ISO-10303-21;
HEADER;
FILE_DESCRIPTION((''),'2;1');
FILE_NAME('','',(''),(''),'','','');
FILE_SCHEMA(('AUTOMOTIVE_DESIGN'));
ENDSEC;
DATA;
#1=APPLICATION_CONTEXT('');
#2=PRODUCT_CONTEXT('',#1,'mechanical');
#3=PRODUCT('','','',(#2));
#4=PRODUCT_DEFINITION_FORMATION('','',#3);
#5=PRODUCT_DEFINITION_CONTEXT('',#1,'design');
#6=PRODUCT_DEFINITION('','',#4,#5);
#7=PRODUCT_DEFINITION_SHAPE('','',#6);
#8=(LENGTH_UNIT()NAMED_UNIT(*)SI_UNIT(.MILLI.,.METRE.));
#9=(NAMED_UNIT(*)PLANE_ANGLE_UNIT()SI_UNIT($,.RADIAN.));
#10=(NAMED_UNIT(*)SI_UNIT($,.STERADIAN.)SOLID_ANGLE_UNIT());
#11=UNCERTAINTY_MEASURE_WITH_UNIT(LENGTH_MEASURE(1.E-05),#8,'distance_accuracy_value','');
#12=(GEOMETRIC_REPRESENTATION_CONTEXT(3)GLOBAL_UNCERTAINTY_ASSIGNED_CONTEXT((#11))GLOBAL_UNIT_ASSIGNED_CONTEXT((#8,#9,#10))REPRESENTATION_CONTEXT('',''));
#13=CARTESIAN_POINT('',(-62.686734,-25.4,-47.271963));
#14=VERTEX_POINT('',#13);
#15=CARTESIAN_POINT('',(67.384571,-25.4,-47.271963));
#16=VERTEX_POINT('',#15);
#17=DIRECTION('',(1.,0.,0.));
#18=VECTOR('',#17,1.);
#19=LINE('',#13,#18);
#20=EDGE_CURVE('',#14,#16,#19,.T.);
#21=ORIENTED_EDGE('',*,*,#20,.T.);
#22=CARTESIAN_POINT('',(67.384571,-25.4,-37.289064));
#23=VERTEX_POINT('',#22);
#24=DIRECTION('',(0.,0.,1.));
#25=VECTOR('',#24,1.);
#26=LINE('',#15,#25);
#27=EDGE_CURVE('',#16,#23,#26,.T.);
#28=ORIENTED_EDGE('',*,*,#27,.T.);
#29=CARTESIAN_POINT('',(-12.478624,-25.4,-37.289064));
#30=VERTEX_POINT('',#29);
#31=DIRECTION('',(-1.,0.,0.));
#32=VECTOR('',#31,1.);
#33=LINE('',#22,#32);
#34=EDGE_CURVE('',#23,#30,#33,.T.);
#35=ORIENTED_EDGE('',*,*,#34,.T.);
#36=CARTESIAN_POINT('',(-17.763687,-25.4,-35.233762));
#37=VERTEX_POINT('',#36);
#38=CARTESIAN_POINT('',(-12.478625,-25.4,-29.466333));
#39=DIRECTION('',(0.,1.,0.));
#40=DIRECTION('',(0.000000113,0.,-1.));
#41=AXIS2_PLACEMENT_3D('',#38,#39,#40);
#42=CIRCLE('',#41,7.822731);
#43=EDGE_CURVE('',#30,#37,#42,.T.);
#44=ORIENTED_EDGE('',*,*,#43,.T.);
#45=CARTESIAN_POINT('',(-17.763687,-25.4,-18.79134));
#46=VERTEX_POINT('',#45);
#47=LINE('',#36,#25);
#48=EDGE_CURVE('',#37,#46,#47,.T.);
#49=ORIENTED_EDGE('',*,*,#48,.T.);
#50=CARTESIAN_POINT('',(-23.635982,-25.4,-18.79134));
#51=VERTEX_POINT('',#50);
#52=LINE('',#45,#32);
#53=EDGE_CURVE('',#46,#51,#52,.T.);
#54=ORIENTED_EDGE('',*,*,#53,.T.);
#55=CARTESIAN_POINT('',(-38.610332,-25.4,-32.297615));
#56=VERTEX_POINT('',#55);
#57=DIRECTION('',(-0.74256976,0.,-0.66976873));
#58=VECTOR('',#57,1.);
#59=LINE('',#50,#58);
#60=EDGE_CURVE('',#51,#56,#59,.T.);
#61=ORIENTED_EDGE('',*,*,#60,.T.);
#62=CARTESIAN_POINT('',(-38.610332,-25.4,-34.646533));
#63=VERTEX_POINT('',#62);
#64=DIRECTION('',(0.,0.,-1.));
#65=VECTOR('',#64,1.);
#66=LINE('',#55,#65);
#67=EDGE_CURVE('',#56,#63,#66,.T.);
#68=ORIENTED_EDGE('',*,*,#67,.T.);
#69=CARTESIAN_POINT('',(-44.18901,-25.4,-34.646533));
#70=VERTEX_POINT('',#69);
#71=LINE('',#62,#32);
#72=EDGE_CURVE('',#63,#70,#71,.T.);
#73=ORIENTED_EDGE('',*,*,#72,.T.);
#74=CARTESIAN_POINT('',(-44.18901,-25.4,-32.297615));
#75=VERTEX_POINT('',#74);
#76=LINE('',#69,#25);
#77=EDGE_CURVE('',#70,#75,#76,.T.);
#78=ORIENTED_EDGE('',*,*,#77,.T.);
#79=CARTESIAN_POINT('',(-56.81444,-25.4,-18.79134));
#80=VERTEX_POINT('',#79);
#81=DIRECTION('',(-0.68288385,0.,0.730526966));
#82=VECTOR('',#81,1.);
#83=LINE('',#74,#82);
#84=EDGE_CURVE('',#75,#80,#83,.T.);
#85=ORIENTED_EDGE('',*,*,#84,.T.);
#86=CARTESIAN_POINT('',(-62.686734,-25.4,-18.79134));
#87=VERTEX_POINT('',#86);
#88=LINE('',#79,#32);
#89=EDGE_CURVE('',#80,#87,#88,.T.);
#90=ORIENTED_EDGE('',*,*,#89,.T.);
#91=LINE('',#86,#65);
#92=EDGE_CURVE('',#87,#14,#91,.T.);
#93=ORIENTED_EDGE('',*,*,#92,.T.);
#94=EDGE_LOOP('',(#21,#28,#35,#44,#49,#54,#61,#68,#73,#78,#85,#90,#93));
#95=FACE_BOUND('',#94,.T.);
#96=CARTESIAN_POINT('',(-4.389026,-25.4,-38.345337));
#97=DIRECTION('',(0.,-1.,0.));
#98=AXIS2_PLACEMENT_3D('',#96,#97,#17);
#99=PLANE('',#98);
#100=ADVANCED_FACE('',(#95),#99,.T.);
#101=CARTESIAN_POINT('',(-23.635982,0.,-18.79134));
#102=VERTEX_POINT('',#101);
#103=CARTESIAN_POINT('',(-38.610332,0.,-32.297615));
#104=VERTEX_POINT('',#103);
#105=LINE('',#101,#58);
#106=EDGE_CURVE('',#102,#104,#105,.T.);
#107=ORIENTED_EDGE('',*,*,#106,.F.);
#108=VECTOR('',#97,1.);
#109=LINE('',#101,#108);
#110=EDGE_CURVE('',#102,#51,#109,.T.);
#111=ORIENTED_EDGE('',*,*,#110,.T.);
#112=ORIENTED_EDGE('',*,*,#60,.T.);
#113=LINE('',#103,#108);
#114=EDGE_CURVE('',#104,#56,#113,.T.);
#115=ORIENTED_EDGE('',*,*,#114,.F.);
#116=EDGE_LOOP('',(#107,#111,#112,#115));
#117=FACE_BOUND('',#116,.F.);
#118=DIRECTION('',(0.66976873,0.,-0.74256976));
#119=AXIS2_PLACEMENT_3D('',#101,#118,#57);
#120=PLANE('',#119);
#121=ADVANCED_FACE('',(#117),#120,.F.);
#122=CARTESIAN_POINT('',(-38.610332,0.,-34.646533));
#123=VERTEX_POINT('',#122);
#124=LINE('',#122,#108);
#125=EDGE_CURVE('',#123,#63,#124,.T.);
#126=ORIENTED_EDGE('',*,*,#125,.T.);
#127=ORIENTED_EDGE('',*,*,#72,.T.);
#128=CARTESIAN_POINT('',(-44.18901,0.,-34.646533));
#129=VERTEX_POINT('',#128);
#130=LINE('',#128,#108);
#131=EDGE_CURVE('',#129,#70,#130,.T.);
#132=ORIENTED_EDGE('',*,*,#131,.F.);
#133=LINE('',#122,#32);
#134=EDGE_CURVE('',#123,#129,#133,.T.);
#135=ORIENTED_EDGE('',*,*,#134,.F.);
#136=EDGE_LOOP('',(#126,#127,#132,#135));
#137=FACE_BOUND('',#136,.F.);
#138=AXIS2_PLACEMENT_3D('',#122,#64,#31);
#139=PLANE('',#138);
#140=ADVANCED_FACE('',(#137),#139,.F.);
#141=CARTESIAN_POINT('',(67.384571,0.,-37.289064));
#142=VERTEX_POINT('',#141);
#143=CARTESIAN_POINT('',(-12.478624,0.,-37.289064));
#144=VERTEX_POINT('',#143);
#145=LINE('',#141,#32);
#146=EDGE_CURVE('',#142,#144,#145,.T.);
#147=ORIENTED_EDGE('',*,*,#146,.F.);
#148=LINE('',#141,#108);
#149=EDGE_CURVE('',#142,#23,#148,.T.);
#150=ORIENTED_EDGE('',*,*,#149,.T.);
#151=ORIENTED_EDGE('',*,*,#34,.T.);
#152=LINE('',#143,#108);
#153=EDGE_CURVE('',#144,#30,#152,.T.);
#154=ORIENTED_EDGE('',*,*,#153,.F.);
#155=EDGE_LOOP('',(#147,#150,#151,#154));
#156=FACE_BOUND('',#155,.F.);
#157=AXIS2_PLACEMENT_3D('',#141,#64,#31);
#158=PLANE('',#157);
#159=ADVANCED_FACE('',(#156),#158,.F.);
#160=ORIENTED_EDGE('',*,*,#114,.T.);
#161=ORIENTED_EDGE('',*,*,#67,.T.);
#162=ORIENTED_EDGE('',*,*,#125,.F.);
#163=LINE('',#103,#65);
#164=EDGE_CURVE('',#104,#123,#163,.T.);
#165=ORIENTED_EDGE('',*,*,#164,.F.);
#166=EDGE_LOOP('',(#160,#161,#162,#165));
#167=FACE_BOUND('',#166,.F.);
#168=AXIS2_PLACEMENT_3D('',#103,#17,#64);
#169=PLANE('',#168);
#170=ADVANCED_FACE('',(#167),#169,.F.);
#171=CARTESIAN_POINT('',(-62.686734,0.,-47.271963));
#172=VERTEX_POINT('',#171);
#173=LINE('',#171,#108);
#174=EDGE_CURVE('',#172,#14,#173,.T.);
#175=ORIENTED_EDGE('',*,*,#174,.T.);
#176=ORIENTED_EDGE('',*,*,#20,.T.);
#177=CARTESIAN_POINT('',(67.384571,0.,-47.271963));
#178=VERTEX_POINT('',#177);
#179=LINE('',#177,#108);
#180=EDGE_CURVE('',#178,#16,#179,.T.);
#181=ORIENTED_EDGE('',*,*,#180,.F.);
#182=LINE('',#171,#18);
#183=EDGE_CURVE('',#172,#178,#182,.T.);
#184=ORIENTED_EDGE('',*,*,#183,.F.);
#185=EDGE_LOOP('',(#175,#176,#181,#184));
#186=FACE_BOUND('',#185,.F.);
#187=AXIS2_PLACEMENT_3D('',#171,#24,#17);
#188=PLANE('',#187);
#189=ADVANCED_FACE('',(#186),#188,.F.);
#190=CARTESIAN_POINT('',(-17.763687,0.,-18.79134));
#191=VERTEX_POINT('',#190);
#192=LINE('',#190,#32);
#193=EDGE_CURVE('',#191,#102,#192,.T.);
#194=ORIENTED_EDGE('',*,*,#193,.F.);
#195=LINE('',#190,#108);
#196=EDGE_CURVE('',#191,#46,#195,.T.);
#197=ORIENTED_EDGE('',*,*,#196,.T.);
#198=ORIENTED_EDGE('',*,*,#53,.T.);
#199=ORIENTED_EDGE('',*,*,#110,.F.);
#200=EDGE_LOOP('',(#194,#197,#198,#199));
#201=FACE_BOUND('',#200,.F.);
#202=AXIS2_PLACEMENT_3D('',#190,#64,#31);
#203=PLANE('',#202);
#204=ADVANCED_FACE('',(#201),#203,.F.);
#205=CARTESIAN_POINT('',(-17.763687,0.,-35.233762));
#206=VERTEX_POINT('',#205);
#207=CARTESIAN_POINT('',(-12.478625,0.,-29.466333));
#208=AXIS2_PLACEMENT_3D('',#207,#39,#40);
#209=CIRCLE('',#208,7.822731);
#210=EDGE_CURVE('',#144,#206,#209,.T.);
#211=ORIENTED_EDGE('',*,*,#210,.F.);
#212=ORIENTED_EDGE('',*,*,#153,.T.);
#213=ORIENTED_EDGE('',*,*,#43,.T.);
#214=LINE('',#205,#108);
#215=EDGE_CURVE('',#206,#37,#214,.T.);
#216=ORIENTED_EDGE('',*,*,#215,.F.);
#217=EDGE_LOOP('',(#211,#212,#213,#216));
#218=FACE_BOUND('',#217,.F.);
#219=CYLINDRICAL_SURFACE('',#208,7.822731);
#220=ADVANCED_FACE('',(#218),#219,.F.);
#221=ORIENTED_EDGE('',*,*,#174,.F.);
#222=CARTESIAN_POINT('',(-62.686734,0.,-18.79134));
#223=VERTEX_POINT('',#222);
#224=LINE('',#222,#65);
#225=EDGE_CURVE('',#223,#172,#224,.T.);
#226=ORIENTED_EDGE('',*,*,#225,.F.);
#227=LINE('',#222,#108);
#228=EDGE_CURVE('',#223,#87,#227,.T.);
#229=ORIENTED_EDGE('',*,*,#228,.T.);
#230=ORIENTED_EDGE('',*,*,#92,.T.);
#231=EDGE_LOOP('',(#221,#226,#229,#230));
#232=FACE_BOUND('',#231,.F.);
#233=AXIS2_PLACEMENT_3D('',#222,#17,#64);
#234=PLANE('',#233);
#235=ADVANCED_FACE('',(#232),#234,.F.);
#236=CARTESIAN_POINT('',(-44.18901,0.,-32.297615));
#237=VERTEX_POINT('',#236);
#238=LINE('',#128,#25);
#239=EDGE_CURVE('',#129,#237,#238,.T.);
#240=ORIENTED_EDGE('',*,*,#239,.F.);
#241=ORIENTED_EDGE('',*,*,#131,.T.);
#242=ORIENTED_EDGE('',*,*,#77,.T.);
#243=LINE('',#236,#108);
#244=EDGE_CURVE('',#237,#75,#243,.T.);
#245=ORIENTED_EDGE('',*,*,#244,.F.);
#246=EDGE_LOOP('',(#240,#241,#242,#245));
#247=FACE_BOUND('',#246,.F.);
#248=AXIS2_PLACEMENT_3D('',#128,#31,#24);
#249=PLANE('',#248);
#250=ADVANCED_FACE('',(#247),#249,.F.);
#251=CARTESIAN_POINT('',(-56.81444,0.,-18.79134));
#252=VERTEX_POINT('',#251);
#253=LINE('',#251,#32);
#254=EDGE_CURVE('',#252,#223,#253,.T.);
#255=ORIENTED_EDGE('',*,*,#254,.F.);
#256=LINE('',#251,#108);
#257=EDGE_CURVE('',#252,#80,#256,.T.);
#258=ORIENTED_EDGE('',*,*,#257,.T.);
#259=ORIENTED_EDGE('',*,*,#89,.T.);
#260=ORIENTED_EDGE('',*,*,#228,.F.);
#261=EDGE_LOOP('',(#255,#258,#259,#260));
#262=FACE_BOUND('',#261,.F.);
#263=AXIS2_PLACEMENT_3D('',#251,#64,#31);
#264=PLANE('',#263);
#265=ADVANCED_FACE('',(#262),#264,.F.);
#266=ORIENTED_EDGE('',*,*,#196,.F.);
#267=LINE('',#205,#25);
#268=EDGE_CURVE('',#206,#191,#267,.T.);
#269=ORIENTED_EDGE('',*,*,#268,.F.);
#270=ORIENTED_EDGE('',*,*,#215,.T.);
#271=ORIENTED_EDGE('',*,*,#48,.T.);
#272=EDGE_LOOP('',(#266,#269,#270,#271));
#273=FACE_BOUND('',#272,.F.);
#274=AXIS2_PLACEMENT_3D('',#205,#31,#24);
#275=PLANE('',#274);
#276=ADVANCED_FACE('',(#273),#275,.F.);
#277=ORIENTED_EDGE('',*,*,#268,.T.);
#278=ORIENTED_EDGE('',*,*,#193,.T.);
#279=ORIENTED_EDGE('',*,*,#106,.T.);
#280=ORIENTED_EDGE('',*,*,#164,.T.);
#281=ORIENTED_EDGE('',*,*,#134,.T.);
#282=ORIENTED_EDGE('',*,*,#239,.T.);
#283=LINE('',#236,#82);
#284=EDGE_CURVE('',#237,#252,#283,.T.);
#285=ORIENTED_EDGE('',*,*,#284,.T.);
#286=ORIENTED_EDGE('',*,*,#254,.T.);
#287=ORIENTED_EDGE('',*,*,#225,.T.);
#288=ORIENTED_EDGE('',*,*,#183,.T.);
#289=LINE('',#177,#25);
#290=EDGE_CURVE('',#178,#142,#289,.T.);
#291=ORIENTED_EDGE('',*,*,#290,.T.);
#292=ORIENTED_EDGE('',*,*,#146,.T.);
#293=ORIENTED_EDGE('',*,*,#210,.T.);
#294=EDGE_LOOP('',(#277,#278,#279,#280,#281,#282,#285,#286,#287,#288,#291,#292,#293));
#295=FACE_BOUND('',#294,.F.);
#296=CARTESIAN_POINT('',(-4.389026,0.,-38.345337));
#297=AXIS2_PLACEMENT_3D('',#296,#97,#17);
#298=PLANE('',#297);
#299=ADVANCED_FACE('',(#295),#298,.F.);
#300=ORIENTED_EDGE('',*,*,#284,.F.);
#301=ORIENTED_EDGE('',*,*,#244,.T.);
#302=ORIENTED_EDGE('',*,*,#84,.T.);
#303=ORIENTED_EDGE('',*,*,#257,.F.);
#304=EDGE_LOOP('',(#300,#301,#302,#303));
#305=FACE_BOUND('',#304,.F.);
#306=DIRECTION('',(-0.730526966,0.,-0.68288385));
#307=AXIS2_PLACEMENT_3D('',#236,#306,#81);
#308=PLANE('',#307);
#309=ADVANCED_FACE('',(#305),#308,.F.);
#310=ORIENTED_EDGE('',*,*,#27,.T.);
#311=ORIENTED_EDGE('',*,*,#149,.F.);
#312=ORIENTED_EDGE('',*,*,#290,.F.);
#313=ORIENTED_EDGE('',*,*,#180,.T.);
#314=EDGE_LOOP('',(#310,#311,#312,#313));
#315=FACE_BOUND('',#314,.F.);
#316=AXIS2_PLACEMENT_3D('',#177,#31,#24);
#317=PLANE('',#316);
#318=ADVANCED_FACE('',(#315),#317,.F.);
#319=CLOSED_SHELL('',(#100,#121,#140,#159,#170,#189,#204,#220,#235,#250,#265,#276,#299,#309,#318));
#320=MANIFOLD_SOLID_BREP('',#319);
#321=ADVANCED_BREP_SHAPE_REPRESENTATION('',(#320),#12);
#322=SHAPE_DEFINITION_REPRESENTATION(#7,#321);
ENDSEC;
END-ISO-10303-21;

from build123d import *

# Parameters (mm, degrees)
F1_DEPTH = 25.4


with BuildPart() as f1:
    # F0 (on Front) → F1 (new body)
    with BuildSketch(Plane.XZ):
        with BuildLine():
            Line((-62.686734, -47.271963), (67.384571, -47.271963))
            Line((67.384571, -47.271963), (67.384571, -37.289064))
            Line((67.384571, -37.289064), (-12.478624, -37.289064))
            ThreePointArc((-12.478624, -37.289064), (-15.313944, -36.757155), (-17.763687, -35.233762))
            Line((-17.763687, -35.233762), (-17.763687, -18.79134))
            Line((-17.763687, -18.79134), (-23.635982, -18.79134))
            Line((-23.635982, -18.79134), (-38.610332, -32.297615))
            Line((-38.610332, -32.297615), (-38.610332, -34.646533))
            Line((-38.610332, -34.646533), (-44.18901, -34.646533))
            Line((-44.18901, -34.646533), (-44.18901, -32.297615))
            Line((-44.18901, -32.297615), (-56.81444, -18.79134))
            Line((-56.81444, -18.79134), (-62.686734, -18.79134))
            Line((-62.686734, -18.79134), (-62.686734, -47.271963))
        make_face()
    extrude(amount=F1_DEPTH)


solid = f1.part
